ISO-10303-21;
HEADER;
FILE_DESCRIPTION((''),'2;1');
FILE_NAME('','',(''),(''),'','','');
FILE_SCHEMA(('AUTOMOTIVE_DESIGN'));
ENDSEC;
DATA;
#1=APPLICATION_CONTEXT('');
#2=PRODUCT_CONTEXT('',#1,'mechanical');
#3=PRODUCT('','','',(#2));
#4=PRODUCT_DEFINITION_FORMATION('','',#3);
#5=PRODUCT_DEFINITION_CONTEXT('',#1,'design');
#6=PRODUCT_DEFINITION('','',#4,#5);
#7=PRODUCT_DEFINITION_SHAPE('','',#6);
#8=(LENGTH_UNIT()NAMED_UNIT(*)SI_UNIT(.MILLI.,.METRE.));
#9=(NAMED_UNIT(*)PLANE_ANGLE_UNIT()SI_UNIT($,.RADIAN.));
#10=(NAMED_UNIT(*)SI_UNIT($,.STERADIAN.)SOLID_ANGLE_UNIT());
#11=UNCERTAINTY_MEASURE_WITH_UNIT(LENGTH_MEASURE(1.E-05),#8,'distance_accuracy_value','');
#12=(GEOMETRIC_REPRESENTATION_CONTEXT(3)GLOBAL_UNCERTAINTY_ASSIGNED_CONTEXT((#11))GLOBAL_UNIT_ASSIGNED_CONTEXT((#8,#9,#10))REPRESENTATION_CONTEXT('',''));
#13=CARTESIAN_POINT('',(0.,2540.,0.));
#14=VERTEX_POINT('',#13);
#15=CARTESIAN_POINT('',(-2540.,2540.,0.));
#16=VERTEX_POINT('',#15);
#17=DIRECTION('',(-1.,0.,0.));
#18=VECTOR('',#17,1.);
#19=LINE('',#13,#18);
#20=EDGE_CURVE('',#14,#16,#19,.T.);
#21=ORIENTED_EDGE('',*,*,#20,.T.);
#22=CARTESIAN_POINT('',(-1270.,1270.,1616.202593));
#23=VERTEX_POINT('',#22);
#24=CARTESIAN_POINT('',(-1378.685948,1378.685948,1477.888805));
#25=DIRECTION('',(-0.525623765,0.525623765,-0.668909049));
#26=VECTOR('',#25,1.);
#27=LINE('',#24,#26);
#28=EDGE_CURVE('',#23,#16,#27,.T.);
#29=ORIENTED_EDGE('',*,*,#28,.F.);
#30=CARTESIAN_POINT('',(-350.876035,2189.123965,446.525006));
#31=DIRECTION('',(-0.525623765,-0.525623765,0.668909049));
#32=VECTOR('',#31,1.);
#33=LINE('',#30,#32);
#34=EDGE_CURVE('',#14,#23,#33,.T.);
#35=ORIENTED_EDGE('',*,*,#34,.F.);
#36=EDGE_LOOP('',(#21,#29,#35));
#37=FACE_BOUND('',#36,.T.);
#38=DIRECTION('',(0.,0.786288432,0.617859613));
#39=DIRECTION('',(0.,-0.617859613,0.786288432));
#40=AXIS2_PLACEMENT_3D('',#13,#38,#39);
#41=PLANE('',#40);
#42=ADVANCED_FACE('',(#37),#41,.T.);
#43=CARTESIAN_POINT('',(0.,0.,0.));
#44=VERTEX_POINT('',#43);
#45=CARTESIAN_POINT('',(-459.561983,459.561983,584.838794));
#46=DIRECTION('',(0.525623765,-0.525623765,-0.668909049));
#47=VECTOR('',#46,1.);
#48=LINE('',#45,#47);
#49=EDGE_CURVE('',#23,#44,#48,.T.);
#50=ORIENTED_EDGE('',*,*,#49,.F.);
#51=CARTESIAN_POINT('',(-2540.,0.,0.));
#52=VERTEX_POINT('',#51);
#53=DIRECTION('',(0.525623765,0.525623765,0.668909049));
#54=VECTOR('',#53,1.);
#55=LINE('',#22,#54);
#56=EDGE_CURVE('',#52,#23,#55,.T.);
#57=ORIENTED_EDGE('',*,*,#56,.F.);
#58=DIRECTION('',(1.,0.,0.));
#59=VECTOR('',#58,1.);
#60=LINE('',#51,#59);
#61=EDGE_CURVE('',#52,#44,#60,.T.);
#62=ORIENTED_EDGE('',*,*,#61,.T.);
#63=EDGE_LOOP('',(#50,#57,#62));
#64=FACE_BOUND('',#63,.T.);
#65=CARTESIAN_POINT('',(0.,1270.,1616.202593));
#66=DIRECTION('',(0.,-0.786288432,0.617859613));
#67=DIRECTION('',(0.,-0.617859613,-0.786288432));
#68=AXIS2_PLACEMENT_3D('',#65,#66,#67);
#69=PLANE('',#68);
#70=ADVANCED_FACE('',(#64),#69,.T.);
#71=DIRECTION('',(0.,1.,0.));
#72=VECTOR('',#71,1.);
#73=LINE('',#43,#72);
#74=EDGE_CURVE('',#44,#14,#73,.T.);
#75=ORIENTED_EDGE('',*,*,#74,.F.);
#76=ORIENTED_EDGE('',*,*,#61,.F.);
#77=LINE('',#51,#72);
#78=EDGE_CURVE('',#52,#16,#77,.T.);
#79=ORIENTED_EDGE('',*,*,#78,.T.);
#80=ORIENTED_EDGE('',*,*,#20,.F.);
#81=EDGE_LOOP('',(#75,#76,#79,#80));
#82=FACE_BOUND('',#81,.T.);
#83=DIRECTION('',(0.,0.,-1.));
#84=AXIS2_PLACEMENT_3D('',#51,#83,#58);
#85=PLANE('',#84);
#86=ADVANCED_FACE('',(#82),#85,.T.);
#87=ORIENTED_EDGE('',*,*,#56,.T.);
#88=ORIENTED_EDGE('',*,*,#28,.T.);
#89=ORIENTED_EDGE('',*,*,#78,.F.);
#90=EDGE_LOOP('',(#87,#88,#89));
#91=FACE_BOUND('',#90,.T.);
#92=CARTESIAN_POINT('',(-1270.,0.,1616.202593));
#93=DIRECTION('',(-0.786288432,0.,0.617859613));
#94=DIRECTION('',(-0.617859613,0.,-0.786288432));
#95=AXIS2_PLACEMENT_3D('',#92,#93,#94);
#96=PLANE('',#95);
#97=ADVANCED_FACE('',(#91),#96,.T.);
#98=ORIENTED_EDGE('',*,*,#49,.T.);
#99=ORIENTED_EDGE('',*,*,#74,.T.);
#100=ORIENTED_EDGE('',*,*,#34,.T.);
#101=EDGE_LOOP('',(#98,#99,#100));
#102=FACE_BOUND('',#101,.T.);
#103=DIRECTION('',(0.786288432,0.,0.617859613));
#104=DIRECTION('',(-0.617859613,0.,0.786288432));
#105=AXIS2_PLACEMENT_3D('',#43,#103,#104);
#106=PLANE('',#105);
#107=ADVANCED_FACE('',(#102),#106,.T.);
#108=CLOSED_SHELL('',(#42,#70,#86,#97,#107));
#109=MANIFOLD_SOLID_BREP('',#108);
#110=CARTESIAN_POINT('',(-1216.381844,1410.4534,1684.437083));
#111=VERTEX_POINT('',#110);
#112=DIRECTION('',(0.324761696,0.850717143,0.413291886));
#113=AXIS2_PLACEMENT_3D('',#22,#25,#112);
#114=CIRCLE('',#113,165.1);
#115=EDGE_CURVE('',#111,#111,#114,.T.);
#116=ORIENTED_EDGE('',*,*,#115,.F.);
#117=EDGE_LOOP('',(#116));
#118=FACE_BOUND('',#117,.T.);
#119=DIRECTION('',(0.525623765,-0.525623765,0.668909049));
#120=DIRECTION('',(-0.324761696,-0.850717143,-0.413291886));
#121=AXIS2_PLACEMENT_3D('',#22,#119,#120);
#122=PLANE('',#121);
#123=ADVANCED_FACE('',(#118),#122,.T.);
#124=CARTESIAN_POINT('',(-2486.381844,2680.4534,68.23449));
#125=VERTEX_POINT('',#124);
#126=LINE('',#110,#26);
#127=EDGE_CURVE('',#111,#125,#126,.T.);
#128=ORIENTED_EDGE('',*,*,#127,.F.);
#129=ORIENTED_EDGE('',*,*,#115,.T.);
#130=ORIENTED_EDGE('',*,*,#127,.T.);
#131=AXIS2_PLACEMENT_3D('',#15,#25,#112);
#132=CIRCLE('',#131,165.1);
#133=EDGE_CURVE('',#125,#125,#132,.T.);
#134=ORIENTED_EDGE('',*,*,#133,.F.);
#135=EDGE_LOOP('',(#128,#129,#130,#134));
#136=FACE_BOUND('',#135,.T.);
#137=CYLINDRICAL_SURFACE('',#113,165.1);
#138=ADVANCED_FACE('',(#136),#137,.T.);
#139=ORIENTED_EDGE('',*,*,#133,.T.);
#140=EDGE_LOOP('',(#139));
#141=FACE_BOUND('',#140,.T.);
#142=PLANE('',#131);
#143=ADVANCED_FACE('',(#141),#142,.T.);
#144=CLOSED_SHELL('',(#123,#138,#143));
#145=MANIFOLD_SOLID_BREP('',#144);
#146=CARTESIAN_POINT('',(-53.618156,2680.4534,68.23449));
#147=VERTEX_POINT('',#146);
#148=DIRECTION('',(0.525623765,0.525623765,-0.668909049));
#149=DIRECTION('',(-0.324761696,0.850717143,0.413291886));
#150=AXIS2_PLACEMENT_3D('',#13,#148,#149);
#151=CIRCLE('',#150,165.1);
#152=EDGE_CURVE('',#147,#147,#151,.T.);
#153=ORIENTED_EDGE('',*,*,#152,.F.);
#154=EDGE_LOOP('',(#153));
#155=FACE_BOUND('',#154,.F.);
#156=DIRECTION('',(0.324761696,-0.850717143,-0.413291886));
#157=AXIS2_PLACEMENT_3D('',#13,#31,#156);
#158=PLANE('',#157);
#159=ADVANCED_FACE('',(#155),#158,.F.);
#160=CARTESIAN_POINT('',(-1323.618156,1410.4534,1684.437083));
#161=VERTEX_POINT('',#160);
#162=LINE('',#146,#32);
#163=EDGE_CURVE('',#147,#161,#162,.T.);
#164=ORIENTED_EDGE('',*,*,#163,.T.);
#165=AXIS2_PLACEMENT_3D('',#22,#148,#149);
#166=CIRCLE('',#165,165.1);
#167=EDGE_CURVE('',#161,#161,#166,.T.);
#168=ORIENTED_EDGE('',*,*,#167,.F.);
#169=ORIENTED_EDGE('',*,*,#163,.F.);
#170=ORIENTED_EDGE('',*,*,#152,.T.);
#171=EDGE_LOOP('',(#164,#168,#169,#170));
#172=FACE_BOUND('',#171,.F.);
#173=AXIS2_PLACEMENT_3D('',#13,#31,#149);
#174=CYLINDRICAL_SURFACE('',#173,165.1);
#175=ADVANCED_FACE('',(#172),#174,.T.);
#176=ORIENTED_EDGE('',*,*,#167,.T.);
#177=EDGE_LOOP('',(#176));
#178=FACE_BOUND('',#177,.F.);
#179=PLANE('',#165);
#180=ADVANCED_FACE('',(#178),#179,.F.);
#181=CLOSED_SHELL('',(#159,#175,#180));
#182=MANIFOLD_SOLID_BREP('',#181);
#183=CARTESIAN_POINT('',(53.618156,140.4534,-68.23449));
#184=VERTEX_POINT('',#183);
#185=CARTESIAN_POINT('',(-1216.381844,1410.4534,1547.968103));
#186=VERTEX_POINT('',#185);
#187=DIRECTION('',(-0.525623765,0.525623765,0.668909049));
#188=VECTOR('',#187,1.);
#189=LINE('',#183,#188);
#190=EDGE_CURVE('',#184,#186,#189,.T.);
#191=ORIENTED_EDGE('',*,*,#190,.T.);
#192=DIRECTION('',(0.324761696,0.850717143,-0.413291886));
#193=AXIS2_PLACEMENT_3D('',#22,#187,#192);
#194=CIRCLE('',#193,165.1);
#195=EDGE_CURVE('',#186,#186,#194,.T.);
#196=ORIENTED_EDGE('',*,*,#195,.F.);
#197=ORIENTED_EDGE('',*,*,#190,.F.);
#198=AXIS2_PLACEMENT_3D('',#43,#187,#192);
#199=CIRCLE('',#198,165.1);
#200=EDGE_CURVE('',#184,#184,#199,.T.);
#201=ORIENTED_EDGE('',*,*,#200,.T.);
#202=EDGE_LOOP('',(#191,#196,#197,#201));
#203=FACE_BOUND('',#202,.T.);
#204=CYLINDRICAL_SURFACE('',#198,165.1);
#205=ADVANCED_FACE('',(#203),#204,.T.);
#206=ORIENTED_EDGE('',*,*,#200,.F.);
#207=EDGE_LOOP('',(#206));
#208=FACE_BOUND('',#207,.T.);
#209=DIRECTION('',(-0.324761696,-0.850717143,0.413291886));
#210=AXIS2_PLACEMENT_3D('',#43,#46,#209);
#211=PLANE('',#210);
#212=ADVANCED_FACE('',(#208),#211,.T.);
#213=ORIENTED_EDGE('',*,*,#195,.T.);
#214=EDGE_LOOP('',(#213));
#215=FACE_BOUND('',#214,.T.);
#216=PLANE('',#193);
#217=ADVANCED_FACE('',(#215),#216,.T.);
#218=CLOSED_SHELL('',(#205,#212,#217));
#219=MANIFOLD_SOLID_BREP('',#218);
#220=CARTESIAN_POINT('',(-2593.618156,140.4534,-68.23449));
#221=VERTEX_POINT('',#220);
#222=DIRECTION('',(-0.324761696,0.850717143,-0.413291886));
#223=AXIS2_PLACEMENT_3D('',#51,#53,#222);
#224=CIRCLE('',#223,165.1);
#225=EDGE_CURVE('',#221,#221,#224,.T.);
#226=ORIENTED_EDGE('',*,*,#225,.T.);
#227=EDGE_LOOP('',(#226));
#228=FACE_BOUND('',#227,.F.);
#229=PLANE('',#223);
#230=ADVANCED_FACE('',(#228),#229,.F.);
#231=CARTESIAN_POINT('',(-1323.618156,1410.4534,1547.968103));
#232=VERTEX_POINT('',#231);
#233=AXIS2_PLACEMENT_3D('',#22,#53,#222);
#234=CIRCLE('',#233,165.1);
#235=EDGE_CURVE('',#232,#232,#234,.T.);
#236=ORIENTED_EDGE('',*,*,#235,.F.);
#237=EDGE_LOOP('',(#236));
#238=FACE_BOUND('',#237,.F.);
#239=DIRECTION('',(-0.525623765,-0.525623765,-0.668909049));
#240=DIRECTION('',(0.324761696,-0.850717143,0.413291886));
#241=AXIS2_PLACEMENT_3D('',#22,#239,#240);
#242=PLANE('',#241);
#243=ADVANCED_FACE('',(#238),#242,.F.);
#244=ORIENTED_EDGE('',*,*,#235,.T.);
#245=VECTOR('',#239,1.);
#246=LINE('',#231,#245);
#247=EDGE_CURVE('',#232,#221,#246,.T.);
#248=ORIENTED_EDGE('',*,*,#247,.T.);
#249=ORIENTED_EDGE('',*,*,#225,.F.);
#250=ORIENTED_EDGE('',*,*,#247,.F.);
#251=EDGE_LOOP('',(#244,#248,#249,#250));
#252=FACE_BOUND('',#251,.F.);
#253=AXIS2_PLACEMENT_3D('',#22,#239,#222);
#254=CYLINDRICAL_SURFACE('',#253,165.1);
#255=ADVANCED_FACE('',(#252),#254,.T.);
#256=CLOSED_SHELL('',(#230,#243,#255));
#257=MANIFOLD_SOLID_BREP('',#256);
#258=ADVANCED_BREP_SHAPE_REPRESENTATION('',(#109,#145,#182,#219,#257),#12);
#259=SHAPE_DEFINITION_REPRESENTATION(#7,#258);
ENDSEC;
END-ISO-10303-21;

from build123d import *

# Parameters (mm, degrees)
F1_DEPTH = 3048
F3_DEPTH = 2794


with BuildPart() as f1:
    # F0 (on Front) → F1 (new body)
    with BuildSketch(Plane.XZ):
        Polygon((-2540, 0), (0, 0), (-1270, 1616.2025930436), align=None)
    extrude(amount=-F1_DEPTH)

    # F2 (on Right) → F3 (intersect)
    with BuildSketch(Plane.YZ):
        Polygon((1270, 1616.2025930436), (0, 0), (2540, 0), align=None)
    extrude(amount=-F3_DEPTH, mode=Mode.INTERSECT)


with BuildPart() as f5:
    # F4 (on face) → F5 (revolve)
    with BuildSketch(Plane(origin=(0, 0, 0), x_dir=(0, 1, 0), z_dir=(0.7862884321, 0, 0.6178596131))):
        Polygon((1270, 2055.4831115241), (0, 0), (140.4534003415, -86.7804835922), (1410.4534003415, 1968.7026279319), align=None)
    revolve(axis=Axis((-635, 635, 808.1012965218), (-0.5256237649, 0.5256237649, 0.6689090487)))


with BuildPart() as f7:
    # F6 (on face) → F7 (revolve)
    with BuildSketch(Plane(origin=(0, 0, 0), x_dir=(0, 1, 0), z_dir=(0.7862884321, 0, 0.6178596131))):
        Polygon((1410.4534003415, 2142.2635951163), (1270, 2055.4831115241), (2540, 0), (2680.4534003415, 86.7804835922), align=None)
    revolve(axis=Axis((-635, 1905, 808.1012965218), (0.5256237649, 0.5256237649, -0.6689090487)))


with BuildPart() as f9:
    # F8 (on face) → F9 (revolve)
    with BuildSketch(Plane(origin=(-1570.3537262201, 0, 1233.9723008016), x_dir=(0, -1, 0), z_dir=(-0.7862884321, 0, 0.6178596131))):
        Polygon((-140.4534003415, -1656.1439008417), (0, -1569.3634172494), (-1270, 486.1196942747), (-1410.4534003415, 399.3392106824), align=None)
    revolve(axis=Axis((-1905, 635, 808.1012965218), (0.5256237649, 0.5256237649, 0.6689090487)))


with BuildPart() as f11:
    # F10 (on face) → F11 (revolve)
    with BuildSketch(Plane(origin=(-1570.3537262201, 0, 1233.9723008016), x_dir=(0, -1, 0), z_dir=(-0.7862884321, 0, 0.6178596131))):
        Polygon((-2540, -1569.3634172494), (-1270, 486.1196942747), (-1410.4534003415, 572.9001778669), (-2680.4534003415, -1482.5829336572), align=None)
    revolve(axis=Axis((-1905, 1905, 808.1012965218), (-0.5256237649, 0.5256237649, -0.6689090487)))


solid = Compound([f1.part, f5.part, f7.part, f9.part, f11.part])
